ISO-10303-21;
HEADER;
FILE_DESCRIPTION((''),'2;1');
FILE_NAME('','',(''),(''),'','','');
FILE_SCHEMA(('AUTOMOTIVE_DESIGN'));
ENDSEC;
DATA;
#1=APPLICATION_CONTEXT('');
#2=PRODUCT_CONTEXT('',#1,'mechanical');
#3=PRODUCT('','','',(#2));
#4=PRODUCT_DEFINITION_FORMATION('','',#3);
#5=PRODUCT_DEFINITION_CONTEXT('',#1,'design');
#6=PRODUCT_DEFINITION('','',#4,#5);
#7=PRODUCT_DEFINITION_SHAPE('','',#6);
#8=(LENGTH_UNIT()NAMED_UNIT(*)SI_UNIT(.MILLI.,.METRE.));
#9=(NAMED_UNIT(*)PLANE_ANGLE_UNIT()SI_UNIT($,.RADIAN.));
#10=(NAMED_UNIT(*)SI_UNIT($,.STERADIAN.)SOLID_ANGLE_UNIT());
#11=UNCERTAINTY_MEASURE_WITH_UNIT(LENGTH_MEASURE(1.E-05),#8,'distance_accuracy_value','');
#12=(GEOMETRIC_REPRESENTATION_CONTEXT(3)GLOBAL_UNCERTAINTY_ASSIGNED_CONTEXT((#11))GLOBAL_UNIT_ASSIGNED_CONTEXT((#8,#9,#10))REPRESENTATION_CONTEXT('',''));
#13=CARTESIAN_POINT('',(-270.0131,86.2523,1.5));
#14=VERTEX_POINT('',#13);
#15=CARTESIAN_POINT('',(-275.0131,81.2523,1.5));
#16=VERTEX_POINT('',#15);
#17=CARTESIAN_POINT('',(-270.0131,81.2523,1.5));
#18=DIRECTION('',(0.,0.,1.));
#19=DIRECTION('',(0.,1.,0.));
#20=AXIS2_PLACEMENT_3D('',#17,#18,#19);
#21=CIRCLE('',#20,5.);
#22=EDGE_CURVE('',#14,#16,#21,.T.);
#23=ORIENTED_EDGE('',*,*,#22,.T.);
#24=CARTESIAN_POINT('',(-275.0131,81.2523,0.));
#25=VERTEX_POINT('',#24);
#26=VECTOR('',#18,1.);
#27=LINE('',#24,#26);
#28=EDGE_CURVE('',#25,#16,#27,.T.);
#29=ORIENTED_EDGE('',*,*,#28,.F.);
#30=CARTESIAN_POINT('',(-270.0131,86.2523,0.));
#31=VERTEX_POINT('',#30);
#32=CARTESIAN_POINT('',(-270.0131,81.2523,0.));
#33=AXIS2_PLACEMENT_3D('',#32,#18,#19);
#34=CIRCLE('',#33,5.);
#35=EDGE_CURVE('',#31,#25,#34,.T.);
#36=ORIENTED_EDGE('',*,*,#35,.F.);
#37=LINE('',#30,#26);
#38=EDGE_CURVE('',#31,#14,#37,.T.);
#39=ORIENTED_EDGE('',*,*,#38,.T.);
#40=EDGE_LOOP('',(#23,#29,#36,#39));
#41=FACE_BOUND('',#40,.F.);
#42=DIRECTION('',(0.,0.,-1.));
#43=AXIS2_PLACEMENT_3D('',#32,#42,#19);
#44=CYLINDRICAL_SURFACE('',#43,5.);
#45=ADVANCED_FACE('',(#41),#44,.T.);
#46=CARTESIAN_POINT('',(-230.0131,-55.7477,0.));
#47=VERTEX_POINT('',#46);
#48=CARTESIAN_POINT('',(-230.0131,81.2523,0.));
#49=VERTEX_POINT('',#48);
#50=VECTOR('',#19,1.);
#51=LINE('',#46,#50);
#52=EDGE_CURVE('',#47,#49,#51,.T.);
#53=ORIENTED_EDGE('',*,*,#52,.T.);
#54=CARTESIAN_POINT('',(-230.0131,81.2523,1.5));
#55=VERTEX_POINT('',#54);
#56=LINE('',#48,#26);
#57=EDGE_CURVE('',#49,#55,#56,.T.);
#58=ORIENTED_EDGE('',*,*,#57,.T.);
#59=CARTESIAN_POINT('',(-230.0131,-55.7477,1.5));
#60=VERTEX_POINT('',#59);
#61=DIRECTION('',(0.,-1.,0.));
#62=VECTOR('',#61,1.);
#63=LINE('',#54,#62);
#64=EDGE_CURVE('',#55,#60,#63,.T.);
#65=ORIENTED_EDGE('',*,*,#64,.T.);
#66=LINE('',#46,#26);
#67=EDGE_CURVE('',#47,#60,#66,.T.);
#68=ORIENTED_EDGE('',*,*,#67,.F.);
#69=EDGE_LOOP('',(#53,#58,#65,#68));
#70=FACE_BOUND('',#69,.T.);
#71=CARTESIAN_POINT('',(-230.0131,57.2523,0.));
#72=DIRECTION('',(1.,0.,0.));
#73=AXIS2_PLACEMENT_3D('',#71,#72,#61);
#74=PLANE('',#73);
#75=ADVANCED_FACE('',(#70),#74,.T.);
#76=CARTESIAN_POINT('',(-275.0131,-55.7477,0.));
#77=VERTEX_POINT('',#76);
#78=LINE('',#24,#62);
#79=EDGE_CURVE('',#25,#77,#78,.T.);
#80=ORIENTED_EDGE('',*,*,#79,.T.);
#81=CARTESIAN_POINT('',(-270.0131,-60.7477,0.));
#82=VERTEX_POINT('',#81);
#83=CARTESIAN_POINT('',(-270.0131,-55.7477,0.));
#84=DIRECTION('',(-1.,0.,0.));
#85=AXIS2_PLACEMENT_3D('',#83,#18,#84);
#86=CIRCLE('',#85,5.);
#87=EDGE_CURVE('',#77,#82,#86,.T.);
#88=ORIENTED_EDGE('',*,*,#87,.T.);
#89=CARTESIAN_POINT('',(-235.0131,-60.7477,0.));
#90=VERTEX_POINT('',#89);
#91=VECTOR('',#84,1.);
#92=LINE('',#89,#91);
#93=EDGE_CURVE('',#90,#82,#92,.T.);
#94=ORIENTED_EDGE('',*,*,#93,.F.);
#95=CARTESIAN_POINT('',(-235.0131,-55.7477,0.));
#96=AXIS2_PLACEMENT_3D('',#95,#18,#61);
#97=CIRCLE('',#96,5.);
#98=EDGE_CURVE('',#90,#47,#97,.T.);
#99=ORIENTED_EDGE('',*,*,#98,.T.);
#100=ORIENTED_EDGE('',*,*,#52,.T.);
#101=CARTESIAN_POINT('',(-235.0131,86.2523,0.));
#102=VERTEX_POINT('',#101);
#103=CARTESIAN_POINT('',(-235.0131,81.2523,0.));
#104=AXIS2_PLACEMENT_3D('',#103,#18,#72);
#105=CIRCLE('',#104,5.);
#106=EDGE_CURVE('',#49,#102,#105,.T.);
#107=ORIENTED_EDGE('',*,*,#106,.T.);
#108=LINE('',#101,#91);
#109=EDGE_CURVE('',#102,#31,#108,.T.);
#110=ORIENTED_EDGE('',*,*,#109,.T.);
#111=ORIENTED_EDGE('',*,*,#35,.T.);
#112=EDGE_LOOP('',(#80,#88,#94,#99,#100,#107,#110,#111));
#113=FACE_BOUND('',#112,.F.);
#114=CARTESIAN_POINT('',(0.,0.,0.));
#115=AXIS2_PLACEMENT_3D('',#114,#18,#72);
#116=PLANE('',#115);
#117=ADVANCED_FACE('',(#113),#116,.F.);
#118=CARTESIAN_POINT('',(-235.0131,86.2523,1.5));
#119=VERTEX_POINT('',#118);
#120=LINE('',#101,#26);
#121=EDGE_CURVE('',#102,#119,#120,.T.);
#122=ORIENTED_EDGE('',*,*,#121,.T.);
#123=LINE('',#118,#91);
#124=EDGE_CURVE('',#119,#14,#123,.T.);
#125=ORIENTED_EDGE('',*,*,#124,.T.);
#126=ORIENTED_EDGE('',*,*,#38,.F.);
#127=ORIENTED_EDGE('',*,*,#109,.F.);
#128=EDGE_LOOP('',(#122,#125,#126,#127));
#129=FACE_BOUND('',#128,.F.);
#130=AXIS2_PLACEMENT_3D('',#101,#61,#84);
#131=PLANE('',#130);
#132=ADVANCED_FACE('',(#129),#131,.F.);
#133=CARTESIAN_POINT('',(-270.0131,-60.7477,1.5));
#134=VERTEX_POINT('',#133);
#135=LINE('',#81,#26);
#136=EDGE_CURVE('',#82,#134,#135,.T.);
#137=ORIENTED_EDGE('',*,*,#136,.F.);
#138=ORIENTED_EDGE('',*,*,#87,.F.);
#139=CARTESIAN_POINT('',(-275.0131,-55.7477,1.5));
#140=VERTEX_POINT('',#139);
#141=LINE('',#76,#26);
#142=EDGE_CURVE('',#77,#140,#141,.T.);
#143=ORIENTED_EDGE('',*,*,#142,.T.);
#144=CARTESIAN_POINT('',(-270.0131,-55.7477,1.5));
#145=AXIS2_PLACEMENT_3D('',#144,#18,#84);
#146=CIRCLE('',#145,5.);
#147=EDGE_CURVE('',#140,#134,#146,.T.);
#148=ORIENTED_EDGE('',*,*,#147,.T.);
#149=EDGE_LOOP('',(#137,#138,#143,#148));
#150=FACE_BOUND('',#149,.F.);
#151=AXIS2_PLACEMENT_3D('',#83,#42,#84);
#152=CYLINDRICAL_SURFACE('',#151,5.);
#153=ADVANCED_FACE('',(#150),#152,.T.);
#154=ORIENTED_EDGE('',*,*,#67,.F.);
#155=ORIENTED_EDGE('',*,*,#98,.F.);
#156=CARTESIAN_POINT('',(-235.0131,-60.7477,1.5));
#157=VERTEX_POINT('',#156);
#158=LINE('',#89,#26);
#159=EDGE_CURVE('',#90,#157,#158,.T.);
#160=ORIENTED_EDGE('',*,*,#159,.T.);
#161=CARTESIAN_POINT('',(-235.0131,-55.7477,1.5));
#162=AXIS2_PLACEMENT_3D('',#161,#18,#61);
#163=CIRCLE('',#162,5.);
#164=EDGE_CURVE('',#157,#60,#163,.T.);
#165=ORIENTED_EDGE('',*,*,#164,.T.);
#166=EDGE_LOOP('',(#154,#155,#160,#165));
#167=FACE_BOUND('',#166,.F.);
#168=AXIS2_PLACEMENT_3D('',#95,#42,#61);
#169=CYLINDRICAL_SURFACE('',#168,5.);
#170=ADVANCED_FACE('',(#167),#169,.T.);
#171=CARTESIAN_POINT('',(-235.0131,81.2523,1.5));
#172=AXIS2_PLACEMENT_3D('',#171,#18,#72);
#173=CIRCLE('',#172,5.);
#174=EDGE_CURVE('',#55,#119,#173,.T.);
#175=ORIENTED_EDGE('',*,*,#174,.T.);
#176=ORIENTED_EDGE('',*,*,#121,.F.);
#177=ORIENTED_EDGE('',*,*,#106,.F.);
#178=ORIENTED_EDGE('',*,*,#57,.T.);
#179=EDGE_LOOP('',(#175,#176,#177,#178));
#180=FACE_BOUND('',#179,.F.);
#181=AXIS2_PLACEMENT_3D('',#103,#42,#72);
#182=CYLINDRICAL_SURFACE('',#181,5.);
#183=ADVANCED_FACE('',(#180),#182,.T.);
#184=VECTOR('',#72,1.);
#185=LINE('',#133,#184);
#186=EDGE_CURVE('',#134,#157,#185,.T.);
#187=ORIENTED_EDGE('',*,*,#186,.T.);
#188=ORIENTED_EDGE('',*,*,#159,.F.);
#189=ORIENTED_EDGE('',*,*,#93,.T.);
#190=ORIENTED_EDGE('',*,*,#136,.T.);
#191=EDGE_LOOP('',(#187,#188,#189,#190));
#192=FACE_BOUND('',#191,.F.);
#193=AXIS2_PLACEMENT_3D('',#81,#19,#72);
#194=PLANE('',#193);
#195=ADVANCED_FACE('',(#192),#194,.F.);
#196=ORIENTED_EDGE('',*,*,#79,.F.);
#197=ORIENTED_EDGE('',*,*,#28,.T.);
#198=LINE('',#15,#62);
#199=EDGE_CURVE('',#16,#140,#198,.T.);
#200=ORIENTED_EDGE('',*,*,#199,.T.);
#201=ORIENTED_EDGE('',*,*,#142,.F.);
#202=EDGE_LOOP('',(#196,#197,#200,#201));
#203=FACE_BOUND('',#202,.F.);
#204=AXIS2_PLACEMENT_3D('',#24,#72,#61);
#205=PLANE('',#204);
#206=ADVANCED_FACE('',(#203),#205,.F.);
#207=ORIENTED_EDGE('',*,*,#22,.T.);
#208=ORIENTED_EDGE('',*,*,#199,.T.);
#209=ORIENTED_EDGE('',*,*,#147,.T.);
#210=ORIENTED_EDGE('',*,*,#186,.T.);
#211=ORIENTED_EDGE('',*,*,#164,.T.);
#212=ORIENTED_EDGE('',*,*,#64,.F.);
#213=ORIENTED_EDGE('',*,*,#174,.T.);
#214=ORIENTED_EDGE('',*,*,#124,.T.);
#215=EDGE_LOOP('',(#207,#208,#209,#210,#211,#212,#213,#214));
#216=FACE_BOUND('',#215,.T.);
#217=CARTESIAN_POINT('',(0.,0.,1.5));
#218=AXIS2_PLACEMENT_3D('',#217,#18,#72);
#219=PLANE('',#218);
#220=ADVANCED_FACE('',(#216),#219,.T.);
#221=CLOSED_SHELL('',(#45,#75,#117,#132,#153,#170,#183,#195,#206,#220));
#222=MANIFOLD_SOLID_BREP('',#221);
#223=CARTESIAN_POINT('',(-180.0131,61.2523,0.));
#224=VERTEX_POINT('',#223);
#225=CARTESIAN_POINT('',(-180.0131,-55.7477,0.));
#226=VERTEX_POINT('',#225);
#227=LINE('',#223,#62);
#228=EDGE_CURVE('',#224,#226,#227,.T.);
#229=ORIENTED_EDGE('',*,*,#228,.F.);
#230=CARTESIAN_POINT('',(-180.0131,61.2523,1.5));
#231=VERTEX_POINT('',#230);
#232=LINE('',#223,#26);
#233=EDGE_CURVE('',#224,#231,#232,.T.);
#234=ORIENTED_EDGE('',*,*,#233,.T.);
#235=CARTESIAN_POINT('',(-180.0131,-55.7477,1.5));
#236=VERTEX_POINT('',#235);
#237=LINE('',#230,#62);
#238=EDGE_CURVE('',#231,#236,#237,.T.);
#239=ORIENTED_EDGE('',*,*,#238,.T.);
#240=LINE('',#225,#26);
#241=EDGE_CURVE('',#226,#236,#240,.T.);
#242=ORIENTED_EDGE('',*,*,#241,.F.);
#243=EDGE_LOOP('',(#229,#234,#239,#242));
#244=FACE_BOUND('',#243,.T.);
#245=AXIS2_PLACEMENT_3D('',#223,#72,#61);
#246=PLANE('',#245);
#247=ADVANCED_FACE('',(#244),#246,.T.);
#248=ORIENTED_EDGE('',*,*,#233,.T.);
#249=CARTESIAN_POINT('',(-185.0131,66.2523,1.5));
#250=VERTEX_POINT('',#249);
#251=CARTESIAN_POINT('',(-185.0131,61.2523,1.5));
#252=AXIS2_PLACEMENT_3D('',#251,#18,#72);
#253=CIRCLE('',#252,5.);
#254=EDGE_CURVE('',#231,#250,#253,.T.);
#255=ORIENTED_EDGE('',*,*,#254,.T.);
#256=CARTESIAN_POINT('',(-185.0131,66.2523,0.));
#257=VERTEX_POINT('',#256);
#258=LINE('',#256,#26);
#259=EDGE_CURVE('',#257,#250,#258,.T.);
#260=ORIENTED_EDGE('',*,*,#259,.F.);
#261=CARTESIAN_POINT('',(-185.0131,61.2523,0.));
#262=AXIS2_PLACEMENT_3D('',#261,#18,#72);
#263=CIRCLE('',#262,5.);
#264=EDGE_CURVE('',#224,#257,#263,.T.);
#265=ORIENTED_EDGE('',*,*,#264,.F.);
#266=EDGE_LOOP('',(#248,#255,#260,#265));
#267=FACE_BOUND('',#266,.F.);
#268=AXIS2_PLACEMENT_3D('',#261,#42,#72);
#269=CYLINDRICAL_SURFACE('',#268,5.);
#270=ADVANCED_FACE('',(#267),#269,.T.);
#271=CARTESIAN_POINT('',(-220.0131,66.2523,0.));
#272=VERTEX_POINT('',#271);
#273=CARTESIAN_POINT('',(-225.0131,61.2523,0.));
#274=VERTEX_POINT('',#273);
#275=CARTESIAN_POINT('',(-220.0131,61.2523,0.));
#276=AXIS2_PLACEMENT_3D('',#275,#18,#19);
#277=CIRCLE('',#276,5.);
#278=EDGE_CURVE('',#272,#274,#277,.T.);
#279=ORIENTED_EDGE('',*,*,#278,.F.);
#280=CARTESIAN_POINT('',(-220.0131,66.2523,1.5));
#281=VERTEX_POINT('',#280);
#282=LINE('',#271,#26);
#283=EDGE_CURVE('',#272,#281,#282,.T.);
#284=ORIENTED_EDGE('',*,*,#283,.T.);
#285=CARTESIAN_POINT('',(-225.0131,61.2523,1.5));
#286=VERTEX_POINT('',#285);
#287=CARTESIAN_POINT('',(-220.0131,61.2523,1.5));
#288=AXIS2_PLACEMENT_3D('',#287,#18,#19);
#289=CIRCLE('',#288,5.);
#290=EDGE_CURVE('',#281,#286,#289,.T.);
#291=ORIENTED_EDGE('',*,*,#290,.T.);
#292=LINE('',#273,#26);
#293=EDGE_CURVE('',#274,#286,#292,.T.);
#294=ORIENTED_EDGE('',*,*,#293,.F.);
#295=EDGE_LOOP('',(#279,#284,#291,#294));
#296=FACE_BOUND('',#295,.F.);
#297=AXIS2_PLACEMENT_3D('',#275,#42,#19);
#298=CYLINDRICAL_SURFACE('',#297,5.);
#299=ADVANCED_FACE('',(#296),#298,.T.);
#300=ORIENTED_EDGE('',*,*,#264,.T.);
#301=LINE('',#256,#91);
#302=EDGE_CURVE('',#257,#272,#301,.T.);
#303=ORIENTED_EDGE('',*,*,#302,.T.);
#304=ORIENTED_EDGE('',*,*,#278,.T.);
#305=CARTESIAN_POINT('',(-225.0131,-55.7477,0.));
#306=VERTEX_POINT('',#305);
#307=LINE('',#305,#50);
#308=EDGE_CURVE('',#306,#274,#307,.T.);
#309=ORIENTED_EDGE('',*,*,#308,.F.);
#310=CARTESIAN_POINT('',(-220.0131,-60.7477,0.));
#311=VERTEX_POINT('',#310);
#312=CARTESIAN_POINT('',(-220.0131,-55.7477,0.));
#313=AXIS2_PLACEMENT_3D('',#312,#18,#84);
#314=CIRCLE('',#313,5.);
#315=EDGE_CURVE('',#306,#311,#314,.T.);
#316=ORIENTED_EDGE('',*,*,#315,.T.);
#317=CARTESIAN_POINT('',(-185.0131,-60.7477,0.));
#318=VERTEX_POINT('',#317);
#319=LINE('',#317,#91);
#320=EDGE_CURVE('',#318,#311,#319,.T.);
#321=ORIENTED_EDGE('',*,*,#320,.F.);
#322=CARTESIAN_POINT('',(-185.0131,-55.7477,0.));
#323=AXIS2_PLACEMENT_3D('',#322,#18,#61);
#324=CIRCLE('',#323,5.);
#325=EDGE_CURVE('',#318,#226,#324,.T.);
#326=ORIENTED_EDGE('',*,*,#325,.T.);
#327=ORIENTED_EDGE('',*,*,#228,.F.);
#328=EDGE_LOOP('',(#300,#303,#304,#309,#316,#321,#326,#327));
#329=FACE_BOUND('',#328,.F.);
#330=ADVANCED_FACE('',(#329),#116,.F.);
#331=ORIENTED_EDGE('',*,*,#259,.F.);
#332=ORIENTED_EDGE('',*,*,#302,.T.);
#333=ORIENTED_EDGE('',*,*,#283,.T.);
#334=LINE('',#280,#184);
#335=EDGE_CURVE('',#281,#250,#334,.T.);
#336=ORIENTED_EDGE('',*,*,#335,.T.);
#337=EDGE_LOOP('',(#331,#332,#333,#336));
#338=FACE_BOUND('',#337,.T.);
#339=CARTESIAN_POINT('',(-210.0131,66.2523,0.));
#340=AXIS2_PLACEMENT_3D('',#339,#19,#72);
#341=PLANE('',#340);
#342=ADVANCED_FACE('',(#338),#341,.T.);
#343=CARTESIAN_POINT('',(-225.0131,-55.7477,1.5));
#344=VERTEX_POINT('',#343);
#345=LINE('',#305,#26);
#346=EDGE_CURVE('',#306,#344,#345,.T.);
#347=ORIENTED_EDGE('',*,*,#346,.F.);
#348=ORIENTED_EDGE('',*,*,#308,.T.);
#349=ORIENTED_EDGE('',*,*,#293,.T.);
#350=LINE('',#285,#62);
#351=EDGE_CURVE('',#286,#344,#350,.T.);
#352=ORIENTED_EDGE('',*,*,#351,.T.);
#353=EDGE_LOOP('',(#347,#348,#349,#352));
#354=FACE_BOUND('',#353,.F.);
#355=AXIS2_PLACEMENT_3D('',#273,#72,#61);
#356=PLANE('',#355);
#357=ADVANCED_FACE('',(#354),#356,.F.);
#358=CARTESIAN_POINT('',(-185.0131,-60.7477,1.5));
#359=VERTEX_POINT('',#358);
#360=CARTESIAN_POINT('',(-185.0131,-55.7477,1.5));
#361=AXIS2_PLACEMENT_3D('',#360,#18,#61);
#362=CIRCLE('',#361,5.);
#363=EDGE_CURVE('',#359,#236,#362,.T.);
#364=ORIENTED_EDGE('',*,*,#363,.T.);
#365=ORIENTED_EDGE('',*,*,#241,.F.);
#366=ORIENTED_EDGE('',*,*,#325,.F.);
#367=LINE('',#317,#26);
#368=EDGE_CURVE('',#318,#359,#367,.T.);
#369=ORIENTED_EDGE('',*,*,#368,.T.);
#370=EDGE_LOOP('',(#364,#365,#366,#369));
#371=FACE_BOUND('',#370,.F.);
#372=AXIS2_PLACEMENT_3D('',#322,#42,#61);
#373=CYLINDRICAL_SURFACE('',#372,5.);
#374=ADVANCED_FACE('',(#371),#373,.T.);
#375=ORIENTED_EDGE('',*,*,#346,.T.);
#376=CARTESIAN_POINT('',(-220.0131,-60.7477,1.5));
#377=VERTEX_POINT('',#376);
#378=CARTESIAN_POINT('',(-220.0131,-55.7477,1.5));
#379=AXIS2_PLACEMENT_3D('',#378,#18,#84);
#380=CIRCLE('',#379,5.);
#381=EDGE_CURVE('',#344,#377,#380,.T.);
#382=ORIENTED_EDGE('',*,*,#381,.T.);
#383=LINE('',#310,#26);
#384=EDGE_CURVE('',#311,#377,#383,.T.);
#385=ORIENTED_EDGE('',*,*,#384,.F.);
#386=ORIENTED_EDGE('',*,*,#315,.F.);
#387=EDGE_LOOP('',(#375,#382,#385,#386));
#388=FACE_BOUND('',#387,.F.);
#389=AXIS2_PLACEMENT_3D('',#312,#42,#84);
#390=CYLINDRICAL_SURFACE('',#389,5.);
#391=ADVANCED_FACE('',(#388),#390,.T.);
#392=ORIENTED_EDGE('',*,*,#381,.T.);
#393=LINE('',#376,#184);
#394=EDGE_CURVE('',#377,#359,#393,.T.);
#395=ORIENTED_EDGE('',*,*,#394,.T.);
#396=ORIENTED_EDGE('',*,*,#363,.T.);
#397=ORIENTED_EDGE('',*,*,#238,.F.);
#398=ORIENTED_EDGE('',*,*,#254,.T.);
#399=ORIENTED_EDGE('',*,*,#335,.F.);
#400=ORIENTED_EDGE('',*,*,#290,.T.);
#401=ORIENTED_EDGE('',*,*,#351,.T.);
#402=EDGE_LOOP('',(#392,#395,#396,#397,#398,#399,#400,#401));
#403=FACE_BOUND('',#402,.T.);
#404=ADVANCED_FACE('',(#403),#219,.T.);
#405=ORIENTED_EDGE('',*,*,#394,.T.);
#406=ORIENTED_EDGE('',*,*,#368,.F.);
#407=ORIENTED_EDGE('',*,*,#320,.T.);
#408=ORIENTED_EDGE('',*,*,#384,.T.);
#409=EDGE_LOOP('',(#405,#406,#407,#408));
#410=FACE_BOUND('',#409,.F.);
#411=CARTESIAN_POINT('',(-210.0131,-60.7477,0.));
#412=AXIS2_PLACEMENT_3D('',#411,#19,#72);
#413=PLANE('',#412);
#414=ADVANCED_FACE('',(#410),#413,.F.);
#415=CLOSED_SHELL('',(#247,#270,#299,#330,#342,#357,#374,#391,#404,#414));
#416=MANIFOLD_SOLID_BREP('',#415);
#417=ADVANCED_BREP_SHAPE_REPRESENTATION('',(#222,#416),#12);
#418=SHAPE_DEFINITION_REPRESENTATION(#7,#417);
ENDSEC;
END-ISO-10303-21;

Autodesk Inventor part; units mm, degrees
ref_plane "YZ Plane" through (0, 0, 0) normal (1, 0, 0) x (0, 1, 0)
ref_plane "XZ Plane" through (0, 0, 0) normal (0, 1, 0) x (-1, 0, 0)
ref_plane "XY Plane" through (0, 0, 0) normal (0, 0, 1) x (1, 0, 0)
sketch "Sketch1" plane through (0, 0, 0) normal (0, 0, 1) x (1, 0, 0)
  line L0 (-175.0131, 86.2523) -> (-215.0131, 86.2523)
  line L1 (-225.0131, 76.2523) -> (-225.0131, -50.7477)
  line L2 (-215.0131, -60.7477) -> (-175.0131, -60.7477)
  line L3 (-230.0131, 57.2523) -> (-230.0131, -50.7477)
  arc A0 (-215.0131, 86.2523) -> (-225.0131, 76.2523) centre (-215.0131, 76.2523) ccw
  arc A1 (-225.0131, -50.7477) -> (-215.0131, -60.7477) centre (-215.0131, -50.7477) ccw
  arc A2 (-240.0131, -60.7477) -> (-230.0131, -50.7477) centre (-240.0131, -50.7477) ccw
  arc A3 (-230.0131, 57.2523) -> (-240.0131, 67.2523) centre (-240.0131, 57.2523) ccw
  line L4 (-210.0131, 86.2523) -> (-210.0131, -60.7477)
  circle A4 centre (-210.0131, 12.7523) radius 1.75
  circle A5 centre (-210.0131, -40.7477) radius 1.75
  circle A6 centre (-210.0131, 66.2523) radius 1.75
  line L5 (-235.0131, 86.2523) -> (-270.0131, 86.2523)
  line L6 (-275.0131, 81.2523) -> (-275.0131, -55.7477)
  line L7 (-270.0131, -60.7477) -> (-235.0131, -60.7477)
  line L8 (-230.0131, -55.7477) -> (-230.0131, 81.2523)
  line L9 (-220.0131, 66.2523) -> (-185.0131, 66.2523)
  line L10 (-180.0131, 61.2523) -> (-180.0131, -55.7477)
  line L11 (-185.0131, -60.7477) -> (-220.0131, -60.7477)
  line L12 (-225.0131, -55.7477) -> (-225.0131, 61.2523)
  arc A7 (-180.0131, 61.2523) -> (-185.0131, 66.2523) centre (-185.0131, 61.2523) ccw
  arc A8 (-220.0131, 66.2523) -> (-225.0131, 61.2523) centre (-220.0131, 61.2523) ccw
  arc A9 (-225.0131, -55.7477) -> (-220.0131, -60.7477) centre (-220.0131, -55.7477) ccw
  arc A10 (-185.0131, -60.7477) -> (-180.0131, -55.7477) centre (-185.0131, -55.7477) ccw
  arc A11 (-235.0131, -60.7477) -> (-230.0131, -55.7477) centre (-235.0131, -55.7477) ccw
  arc A12 (-275.0131, -55.7477) -> (-270.0131, -60.7477) centre (-270.0131, -55.7477) ccw
  arc A13 (-270.0131, 86.2523) -> (-275.0131, 81.2523) centre (-270.0131, 81.2523) ccw
  arc A14 (-230.0131, 81.2523) -> (-235.0131, 86.2523) centre (-235.0131, 81.2523) ccw
  point P0 (-225.0131, -60.7477)
  point P1 (-230.0131, -60.7477)
  point P2 (88.9869, -60.7477)
  point P3 (-171.0131, -60.7477)
  point P4 (88.9869, -60.7477)
  point P5 (92.9869, -60.7477)
  point P6 (-171.0131, -60.7477)
  point P7 (92.9869, -60.7477)
  point P8 (88.9869, -60.7477)
  point P9 (-275.0131, -60.7477)
  point P10 (-230.0131, -60.7477)
  point P11 (-180.0131, -60.7477)
  point P12 (-225.0131, -60.7477)
  dimension "d24" = 10
  dimension "d25" = -5
  dimension "d26" = 15
  dimension "d30" = 3.5
  dimension "d32" = 3.5
  dimension "d46" = 45
  dimension "d47" = 45
  dimension "d48" = 5
  dimension "d49" = 5
  dimension "d50" = 5
  dimension "d51" = 5
  dimension "d52" = 3.5
  dimension "d60" = 5
extrude "Extrusion1" add sketch "Sketch1" along normal blind 1.5 contours L9 A6 L4 | L4 A6 L9 | L9 A7 L10 A10 L2 L4 A5 A4 A6 | A6 L4 A4 A5 L2 A1 L1 A8 L9 | A1 L11 A9 L12 | A4 L4 | L4 A4 | A5 L4 | L4 A5 | L3 A2 L7 A12 L6 A13 L5 A14 L8 | L8 A11 L7 A2 picked at (-209.6302, 65.158) picked at (-211.1651, 66.1225)
properties part number "base 2 plate"
